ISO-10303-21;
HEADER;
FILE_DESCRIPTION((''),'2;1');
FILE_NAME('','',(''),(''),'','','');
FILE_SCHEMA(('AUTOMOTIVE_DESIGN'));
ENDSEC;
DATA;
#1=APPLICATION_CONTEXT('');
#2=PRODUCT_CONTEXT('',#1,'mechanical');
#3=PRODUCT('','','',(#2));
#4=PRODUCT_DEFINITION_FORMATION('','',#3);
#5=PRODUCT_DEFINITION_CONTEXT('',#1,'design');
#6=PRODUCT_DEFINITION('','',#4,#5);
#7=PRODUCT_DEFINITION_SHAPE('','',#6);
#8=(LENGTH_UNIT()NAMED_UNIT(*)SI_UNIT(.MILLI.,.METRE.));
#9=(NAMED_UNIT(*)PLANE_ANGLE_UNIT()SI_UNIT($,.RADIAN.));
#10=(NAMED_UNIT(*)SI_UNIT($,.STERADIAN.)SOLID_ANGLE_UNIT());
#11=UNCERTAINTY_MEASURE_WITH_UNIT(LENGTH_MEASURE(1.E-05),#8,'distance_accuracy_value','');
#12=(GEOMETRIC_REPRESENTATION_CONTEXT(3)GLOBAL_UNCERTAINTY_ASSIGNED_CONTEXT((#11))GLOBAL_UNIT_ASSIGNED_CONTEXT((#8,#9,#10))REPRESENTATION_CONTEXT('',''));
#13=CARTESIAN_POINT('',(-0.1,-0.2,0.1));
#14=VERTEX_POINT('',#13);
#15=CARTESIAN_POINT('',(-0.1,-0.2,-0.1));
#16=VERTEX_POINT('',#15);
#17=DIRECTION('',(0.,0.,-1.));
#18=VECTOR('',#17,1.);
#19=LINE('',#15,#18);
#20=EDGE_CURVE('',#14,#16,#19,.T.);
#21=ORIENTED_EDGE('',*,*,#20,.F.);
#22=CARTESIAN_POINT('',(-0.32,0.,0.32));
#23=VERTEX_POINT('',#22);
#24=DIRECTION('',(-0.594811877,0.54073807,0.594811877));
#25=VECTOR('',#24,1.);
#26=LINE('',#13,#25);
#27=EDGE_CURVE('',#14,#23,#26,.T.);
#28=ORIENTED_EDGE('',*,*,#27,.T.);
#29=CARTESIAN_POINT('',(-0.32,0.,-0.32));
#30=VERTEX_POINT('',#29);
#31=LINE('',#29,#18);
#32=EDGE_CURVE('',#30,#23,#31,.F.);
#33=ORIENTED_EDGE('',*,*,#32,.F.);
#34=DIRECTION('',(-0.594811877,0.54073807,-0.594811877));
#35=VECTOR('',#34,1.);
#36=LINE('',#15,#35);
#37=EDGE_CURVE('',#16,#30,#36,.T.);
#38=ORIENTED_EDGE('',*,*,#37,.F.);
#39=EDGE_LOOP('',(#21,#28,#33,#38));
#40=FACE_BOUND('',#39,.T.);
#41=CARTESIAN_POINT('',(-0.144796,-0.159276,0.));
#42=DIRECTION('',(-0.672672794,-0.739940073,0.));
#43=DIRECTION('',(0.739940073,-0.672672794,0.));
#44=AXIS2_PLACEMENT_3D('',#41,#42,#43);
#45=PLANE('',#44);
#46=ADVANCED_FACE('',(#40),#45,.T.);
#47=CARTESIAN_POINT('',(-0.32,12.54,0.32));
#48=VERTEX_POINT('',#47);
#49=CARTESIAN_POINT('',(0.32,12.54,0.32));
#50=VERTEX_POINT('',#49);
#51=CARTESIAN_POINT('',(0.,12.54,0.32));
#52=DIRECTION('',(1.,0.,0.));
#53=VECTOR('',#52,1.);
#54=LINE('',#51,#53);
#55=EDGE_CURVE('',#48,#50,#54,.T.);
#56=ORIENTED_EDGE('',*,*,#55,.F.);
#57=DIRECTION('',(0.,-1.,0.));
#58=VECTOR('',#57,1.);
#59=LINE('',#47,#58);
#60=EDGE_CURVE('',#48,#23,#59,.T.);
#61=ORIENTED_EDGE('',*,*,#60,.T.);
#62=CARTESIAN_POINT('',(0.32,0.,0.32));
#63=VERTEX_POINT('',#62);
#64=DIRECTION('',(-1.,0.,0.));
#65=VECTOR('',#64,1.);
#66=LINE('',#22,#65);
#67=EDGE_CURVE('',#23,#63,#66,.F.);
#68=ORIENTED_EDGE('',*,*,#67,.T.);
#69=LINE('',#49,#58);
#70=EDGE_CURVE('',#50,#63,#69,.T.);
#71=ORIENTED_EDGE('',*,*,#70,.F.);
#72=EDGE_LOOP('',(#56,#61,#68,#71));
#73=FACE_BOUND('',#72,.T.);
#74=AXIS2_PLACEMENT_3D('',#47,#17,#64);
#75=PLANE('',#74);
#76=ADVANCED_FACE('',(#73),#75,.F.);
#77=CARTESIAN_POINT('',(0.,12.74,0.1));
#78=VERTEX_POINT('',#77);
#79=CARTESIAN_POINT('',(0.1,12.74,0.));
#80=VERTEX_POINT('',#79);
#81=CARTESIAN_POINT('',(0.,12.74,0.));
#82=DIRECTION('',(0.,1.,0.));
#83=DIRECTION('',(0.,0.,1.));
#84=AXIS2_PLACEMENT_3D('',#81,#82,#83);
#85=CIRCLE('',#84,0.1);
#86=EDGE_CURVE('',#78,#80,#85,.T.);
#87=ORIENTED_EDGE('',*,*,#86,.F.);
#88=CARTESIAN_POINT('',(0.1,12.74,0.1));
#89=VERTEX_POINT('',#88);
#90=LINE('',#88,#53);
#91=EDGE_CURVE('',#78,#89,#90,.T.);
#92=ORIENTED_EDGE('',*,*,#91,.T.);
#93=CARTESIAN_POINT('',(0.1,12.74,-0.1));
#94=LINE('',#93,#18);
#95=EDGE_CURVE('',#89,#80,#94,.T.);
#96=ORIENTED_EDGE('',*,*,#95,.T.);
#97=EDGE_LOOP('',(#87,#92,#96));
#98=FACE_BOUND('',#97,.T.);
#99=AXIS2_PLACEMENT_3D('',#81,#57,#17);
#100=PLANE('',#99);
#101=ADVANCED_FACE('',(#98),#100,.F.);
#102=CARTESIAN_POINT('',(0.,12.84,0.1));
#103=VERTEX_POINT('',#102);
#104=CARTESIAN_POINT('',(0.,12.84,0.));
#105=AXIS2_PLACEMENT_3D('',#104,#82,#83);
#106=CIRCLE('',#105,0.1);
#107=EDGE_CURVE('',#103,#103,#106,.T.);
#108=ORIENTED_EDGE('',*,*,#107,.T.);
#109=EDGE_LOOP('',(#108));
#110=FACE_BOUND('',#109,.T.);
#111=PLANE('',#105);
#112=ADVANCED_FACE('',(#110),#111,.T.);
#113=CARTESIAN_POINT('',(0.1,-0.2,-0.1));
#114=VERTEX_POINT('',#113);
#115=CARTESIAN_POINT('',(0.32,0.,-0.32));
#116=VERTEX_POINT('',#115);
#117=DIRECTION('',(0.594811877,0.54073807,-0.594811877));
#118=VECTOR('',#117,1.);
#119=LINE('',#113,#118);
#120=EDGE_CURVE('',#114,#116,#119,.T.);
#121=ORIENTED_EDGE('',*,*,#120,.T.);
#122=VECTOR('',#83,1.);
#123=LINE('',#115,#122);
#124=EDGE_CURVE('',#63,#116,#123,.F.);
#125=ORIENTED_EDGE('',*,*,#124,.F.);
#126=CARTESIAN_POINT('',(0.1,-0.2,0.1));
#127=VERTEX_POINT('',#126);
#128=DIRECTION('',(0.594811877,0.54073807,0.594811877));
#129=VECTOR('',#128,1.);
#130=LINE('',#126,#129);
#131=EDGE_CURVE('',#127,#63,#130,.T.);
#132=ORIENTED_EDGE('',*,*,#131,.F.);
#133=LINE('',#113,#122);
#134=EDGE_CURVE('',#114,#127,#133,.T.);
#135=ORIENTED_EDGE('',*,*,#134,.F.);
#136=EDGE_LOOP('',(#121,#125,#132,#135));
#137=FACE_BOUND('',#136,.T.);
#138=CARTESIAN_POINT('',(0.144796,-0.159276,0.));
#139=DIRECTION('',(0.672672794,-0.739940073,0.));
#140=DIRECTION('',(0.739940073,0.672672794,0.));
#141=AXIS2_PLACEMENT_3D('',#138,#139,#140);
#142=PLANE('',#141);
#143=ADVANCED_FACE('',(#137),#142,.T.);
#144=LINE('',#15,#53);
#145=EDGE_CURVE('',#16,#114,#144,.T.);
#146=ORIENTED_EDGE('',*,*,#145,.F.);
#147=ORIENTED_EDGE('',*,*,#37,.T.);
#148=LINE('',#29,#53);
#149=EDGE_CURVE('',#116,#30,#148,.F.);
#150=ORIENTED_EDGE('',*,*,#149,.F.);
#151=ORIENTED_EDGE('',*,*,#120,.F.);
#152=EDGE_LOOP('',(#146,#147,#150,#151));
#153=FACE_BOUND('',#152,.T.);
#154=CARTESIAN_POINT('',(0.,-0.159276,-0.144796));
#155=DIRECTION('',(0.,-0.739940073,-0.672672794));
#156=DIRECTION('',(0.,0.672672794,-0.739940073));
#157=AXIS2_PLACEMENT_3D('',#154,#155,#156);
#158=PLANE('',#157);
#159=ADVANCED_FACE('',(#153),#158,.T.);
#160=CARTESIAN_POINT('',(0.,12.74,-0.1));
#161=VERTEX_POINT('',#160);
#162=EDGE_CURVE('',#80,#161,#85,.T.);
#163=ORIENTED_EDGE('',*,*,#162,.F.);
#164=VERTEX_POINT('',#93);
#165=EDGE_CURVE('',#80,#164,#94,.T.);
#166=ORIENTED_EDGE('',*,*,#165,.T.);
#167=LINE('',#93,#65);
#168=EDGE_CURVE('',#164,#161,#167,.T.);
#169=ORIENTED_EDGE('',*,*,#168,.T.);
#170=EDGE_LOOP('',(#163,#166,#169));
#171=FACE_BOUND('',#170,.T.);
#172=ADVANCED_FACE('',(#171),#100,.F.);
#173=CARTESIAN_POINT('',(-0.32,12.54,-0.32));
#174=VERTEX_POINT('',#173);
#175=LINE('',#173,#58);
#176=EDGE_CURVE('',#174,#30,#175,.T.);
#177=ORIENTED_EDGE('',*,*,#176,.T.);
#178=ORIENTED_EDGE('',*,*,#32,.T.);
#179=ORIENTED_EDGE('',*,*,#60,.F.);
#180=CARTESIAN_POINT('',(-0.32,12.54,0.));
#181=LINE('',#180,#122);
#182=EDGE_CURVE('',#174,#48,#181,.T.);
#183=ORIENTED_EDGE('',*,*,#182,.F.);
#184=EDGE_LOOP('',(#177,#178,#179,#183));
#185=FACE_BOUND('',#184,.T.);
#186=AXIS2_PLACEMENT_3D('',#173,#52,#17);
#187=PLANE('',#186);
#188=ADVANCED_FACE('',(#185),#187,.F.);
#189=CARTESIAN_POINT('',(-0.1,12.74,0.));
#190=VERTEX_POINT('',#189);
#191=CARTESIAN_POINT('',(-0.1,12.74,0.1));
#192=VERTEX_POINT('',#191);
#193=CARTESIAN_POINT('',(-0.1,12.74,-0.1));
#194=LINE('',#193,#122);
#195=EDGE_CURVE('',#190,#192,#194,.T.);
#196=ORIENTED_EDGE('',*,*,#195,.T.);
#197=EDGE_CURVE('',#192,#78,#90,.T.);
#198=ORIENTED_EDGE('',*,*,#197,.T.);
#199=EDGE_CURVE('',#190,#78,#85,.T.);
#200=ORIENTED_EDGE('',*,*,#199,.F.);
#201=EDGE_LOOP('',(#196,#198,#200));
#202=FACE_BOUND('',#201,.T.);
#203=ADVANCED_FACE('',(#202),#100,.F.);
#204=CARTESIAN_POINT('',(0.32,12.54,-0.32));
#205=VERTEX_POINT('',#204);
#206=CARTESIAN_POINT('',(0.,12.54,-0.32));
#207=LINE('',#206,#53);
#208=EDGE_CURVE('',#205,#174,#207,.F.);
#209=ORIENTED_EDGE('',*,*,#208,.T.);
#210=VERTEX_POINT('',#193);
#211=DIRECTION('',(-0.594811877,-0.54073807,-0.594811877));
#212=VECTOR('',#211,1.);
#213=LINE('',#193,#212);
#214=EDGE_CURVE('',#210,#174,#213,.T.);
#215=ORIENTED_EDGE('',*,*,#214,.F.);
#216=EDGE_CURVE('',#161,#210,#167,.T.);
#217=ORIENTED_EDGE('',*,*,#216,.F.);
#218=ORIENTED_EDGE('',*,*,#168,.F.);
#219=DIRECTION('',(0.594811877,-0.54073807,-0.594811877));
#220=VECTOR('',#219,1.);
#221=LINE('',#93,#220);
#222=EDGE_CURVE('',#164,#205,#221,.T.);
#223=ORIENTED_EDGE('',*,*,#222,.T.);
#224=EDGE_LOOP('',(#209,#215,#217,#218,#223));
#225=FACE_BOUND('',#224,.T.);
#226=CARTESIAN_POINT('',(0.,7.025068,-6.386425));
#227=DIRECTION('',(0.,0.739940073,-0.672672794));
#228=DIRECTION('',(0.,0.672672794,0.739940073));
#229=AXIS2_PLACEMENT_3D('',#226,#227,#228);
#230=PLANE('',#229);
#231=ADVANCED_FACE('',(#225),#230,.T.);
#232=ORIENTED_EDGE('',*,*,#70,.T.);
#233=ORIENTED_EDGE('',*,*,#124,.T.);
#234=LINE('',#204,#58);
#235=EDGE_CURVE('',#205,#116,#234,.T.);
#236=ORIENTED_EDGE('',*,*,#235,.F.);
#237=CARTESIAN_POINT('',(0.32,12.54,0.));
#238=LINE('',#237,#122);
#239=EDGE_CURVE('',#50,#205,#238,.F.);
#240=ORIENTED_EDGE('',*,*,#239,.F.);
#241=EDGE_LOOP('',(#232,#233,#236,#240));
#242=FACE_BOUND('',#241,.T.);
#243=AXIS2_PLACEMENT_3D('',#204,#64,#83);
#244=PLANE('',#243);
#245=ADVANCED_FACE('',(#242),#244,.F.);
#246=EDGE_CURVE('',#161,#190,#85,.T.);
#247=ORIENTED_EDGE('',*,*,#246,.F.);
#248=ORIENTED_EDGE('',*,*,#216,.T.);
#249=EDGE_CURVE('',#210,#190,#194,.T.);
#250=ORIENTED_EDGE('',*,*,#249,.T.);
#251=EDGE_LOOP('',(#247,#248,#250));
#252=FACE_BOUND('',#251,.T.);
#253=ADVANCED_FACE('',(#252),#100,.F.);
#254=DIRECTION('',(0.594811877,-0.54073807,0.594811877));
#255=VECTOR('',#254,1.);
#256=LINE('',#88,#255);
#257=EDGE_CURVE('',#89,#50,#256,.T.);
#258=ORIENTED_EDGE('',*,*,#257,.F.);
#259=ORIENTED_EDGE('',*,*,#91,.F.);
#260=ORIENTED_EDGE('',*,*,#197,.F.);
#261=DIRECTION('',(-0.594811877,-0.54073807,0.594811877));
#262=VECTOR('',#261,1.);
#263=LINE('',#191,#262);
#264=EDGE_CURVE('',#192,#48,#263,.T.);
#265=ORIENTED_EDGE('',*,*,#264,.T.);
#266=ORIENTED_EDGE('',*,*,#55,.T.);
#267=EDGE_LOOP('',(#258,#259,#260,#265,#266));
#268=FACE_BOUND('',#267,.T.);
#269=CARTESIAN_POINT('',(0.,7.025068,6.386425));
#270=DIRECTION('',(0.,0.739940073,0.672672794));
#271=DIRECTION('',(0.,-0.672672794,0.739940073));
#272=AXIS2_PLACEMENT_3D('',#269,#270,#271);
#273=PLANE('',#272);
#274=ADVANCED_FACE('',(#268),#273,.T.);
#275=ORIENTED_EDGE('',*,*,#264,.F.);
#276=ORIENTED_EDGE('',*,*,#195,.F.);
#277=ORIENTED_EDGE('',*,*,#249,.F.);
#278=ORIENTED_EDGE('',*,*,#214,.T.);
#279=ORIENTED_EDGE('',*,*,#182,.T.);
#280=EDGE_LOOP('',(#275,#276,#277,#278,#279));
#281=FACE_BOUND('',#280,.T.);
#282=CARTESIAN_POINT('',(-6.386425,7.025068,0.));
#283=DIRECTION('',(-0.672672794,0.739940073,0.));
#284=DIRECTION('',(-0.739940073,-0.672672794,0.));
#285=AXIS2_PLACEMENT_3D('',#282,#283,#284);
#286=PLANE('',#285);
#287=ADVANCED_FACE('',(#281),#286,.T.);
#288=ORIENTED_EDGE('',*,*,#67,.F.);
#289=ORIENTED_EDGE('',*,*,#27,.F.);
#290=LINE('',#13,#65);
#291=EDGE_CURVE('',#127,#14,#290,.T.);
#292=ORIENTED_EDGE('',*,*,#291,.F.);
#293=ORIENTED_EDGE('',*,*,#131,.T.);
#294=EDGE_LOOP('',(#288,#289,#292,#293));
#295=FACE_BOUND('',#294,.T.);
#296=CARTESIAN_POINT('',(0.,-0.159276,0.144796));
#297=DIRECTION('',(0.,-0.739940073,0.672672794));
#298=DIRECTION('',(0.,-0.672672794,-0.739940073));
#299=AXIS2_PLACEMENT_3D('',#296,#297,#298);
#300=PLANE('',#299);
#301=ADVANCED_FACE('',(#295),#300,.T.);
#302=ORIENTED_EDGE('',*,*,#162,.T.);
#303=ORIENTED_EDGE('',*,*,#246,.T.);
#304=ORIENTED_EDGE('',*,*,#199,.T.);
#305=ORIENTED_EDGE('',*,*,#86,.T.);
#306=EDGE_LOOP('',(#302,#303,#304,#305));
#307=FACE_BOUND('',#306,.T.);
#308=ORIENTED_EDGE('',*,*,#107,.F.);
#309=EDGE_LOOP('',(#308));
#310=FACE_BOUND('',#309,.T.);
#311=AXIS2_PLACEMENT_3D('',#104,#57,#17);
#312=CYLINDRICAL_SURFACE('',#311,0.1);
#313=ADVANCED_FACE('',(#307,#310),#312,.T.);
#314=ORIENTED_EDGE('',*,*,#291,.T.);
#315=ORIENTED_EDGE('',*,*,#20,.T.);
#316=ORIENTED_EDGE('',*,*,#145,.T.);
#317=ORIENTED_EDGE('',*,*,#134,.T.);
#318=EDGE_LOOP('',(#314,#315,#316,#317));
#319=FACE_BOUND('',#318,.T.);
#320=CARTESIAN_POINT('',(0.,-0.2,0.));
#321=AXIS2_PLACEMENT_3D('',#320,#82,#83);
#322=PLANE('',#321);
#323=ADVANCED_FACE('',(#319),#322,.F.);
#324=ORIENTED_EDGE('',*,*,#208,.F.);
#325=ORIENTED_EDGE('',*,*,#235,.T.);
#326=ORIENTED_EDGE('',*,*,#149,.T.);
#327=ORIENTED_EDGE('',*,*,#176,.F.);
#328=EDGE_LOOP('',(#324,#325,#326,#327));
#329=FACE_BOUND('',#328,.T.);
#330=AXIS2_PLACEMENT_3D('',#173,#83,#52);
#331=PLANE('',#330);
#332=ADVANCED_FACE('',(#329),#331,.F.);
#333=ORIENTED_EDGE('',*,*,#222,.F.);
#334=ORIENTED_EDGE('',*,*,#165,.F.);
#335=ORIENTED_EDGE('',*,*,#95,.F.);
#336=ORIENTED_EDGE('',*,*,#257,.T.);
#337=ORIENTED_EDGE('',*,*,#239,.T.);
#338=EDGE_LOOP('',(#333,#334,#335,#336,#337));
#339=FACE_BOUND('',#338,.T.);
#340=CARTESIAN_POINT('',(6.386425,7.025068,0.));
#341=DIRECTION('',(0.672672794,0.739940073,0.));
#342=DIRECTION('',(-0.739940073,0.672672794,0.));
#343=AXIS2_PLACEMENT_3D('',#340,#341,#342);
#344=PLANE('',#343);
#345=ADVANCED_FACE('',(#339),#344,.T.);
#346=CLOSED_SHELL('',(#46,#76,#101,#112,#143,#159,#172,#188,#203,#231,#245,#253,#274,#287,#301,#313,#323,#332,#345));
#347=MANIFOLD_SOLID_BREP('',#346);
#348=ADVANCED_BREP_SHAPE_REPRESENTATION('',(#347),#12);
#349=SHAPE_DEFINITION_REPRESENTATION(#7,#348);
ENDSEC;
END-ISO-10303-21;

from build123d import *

# Parameters (mm, degrees)
SKETCH1_W           = 0.64
SKETCH1_H           = 0.64
BOSS_EXTRUDE1_DEPTH = 12.54
SKETCH5_R           = 0.1
BOSS_EXTRUDE2_DEPTH = 0.1


with BuildPart() as part:
    # Sketch1 → Boss-Extrude1 (new body)
    with BuildSketch(Plane(origin=(0, 0, 0), x_dir=(1, 0, 0), z_dir=(0, 1, 0))):
        Rectangle(SKETCH1_W, SKETCH1_H)
    extrude(amount=BOSS_EXTRUDE1_DEPTH)

    # Sketch3 → section 0 of loft1
    with BuildSketch(Plane(origin=(0, 12.74, 0), x_dir=(1, 0, 0), z_dir=(0, 1, 0)), mode=Mode.PRIVATE) as loft1_s0:
        with BuildLine():
            Line((0.1, 0.1), (-0.1, 0.1))
            Line((-0.1, 0.1), (-0.1, -0.1))
            Line((-0.1, -0.1), (0.1, -0.1))
            Line((0.1, -0.1), (0.1, 0.1))
        make_face()
    # loft up to a face of the part (loft1)
    loft([loft1_s0.sketch, part.faces().sort_by_distance((0, 12.54, 0))[0]])

    # Sketch4 → section 0 of loft2
    with BuildSketch(Plane(origin=(0, -0.2, 0), x_dir=(-1, 0, 0), z_dir=(0, -1, 0)), mode=Mode.PRIVATE) as loft2_s0:
        with BuildLine():
            Line((0.1, 0.1), (-0.1, 0.1))
            Line((-0.1, 0.1), (-0.1, -0.1))
            Line((-0.1, -0.1), (0.1, -0.1))
            Line((0.1, -0.1), (0.1, 0.1))
        make_face()
    # loft up to a face of the part (loft2)
    loft([loft2_s0.sketch, part.faces().sort_by_distance((0, 0, 0))[0]])

    # Sketch5 → Boss-Extrude2 (add)
    with BuildSketch(Plane(origin=(0, 12.74, 0), x_dir=(1, 0, 0), z_dir=(0, 1, 0))):
        with Locations(Location((0, 0, 0), (0, 0, 270))):
            Circle(SKETCH5_R)
    extrude(amount=BOSS_EXTRUDE2_DEPTH)


solid = part.part
